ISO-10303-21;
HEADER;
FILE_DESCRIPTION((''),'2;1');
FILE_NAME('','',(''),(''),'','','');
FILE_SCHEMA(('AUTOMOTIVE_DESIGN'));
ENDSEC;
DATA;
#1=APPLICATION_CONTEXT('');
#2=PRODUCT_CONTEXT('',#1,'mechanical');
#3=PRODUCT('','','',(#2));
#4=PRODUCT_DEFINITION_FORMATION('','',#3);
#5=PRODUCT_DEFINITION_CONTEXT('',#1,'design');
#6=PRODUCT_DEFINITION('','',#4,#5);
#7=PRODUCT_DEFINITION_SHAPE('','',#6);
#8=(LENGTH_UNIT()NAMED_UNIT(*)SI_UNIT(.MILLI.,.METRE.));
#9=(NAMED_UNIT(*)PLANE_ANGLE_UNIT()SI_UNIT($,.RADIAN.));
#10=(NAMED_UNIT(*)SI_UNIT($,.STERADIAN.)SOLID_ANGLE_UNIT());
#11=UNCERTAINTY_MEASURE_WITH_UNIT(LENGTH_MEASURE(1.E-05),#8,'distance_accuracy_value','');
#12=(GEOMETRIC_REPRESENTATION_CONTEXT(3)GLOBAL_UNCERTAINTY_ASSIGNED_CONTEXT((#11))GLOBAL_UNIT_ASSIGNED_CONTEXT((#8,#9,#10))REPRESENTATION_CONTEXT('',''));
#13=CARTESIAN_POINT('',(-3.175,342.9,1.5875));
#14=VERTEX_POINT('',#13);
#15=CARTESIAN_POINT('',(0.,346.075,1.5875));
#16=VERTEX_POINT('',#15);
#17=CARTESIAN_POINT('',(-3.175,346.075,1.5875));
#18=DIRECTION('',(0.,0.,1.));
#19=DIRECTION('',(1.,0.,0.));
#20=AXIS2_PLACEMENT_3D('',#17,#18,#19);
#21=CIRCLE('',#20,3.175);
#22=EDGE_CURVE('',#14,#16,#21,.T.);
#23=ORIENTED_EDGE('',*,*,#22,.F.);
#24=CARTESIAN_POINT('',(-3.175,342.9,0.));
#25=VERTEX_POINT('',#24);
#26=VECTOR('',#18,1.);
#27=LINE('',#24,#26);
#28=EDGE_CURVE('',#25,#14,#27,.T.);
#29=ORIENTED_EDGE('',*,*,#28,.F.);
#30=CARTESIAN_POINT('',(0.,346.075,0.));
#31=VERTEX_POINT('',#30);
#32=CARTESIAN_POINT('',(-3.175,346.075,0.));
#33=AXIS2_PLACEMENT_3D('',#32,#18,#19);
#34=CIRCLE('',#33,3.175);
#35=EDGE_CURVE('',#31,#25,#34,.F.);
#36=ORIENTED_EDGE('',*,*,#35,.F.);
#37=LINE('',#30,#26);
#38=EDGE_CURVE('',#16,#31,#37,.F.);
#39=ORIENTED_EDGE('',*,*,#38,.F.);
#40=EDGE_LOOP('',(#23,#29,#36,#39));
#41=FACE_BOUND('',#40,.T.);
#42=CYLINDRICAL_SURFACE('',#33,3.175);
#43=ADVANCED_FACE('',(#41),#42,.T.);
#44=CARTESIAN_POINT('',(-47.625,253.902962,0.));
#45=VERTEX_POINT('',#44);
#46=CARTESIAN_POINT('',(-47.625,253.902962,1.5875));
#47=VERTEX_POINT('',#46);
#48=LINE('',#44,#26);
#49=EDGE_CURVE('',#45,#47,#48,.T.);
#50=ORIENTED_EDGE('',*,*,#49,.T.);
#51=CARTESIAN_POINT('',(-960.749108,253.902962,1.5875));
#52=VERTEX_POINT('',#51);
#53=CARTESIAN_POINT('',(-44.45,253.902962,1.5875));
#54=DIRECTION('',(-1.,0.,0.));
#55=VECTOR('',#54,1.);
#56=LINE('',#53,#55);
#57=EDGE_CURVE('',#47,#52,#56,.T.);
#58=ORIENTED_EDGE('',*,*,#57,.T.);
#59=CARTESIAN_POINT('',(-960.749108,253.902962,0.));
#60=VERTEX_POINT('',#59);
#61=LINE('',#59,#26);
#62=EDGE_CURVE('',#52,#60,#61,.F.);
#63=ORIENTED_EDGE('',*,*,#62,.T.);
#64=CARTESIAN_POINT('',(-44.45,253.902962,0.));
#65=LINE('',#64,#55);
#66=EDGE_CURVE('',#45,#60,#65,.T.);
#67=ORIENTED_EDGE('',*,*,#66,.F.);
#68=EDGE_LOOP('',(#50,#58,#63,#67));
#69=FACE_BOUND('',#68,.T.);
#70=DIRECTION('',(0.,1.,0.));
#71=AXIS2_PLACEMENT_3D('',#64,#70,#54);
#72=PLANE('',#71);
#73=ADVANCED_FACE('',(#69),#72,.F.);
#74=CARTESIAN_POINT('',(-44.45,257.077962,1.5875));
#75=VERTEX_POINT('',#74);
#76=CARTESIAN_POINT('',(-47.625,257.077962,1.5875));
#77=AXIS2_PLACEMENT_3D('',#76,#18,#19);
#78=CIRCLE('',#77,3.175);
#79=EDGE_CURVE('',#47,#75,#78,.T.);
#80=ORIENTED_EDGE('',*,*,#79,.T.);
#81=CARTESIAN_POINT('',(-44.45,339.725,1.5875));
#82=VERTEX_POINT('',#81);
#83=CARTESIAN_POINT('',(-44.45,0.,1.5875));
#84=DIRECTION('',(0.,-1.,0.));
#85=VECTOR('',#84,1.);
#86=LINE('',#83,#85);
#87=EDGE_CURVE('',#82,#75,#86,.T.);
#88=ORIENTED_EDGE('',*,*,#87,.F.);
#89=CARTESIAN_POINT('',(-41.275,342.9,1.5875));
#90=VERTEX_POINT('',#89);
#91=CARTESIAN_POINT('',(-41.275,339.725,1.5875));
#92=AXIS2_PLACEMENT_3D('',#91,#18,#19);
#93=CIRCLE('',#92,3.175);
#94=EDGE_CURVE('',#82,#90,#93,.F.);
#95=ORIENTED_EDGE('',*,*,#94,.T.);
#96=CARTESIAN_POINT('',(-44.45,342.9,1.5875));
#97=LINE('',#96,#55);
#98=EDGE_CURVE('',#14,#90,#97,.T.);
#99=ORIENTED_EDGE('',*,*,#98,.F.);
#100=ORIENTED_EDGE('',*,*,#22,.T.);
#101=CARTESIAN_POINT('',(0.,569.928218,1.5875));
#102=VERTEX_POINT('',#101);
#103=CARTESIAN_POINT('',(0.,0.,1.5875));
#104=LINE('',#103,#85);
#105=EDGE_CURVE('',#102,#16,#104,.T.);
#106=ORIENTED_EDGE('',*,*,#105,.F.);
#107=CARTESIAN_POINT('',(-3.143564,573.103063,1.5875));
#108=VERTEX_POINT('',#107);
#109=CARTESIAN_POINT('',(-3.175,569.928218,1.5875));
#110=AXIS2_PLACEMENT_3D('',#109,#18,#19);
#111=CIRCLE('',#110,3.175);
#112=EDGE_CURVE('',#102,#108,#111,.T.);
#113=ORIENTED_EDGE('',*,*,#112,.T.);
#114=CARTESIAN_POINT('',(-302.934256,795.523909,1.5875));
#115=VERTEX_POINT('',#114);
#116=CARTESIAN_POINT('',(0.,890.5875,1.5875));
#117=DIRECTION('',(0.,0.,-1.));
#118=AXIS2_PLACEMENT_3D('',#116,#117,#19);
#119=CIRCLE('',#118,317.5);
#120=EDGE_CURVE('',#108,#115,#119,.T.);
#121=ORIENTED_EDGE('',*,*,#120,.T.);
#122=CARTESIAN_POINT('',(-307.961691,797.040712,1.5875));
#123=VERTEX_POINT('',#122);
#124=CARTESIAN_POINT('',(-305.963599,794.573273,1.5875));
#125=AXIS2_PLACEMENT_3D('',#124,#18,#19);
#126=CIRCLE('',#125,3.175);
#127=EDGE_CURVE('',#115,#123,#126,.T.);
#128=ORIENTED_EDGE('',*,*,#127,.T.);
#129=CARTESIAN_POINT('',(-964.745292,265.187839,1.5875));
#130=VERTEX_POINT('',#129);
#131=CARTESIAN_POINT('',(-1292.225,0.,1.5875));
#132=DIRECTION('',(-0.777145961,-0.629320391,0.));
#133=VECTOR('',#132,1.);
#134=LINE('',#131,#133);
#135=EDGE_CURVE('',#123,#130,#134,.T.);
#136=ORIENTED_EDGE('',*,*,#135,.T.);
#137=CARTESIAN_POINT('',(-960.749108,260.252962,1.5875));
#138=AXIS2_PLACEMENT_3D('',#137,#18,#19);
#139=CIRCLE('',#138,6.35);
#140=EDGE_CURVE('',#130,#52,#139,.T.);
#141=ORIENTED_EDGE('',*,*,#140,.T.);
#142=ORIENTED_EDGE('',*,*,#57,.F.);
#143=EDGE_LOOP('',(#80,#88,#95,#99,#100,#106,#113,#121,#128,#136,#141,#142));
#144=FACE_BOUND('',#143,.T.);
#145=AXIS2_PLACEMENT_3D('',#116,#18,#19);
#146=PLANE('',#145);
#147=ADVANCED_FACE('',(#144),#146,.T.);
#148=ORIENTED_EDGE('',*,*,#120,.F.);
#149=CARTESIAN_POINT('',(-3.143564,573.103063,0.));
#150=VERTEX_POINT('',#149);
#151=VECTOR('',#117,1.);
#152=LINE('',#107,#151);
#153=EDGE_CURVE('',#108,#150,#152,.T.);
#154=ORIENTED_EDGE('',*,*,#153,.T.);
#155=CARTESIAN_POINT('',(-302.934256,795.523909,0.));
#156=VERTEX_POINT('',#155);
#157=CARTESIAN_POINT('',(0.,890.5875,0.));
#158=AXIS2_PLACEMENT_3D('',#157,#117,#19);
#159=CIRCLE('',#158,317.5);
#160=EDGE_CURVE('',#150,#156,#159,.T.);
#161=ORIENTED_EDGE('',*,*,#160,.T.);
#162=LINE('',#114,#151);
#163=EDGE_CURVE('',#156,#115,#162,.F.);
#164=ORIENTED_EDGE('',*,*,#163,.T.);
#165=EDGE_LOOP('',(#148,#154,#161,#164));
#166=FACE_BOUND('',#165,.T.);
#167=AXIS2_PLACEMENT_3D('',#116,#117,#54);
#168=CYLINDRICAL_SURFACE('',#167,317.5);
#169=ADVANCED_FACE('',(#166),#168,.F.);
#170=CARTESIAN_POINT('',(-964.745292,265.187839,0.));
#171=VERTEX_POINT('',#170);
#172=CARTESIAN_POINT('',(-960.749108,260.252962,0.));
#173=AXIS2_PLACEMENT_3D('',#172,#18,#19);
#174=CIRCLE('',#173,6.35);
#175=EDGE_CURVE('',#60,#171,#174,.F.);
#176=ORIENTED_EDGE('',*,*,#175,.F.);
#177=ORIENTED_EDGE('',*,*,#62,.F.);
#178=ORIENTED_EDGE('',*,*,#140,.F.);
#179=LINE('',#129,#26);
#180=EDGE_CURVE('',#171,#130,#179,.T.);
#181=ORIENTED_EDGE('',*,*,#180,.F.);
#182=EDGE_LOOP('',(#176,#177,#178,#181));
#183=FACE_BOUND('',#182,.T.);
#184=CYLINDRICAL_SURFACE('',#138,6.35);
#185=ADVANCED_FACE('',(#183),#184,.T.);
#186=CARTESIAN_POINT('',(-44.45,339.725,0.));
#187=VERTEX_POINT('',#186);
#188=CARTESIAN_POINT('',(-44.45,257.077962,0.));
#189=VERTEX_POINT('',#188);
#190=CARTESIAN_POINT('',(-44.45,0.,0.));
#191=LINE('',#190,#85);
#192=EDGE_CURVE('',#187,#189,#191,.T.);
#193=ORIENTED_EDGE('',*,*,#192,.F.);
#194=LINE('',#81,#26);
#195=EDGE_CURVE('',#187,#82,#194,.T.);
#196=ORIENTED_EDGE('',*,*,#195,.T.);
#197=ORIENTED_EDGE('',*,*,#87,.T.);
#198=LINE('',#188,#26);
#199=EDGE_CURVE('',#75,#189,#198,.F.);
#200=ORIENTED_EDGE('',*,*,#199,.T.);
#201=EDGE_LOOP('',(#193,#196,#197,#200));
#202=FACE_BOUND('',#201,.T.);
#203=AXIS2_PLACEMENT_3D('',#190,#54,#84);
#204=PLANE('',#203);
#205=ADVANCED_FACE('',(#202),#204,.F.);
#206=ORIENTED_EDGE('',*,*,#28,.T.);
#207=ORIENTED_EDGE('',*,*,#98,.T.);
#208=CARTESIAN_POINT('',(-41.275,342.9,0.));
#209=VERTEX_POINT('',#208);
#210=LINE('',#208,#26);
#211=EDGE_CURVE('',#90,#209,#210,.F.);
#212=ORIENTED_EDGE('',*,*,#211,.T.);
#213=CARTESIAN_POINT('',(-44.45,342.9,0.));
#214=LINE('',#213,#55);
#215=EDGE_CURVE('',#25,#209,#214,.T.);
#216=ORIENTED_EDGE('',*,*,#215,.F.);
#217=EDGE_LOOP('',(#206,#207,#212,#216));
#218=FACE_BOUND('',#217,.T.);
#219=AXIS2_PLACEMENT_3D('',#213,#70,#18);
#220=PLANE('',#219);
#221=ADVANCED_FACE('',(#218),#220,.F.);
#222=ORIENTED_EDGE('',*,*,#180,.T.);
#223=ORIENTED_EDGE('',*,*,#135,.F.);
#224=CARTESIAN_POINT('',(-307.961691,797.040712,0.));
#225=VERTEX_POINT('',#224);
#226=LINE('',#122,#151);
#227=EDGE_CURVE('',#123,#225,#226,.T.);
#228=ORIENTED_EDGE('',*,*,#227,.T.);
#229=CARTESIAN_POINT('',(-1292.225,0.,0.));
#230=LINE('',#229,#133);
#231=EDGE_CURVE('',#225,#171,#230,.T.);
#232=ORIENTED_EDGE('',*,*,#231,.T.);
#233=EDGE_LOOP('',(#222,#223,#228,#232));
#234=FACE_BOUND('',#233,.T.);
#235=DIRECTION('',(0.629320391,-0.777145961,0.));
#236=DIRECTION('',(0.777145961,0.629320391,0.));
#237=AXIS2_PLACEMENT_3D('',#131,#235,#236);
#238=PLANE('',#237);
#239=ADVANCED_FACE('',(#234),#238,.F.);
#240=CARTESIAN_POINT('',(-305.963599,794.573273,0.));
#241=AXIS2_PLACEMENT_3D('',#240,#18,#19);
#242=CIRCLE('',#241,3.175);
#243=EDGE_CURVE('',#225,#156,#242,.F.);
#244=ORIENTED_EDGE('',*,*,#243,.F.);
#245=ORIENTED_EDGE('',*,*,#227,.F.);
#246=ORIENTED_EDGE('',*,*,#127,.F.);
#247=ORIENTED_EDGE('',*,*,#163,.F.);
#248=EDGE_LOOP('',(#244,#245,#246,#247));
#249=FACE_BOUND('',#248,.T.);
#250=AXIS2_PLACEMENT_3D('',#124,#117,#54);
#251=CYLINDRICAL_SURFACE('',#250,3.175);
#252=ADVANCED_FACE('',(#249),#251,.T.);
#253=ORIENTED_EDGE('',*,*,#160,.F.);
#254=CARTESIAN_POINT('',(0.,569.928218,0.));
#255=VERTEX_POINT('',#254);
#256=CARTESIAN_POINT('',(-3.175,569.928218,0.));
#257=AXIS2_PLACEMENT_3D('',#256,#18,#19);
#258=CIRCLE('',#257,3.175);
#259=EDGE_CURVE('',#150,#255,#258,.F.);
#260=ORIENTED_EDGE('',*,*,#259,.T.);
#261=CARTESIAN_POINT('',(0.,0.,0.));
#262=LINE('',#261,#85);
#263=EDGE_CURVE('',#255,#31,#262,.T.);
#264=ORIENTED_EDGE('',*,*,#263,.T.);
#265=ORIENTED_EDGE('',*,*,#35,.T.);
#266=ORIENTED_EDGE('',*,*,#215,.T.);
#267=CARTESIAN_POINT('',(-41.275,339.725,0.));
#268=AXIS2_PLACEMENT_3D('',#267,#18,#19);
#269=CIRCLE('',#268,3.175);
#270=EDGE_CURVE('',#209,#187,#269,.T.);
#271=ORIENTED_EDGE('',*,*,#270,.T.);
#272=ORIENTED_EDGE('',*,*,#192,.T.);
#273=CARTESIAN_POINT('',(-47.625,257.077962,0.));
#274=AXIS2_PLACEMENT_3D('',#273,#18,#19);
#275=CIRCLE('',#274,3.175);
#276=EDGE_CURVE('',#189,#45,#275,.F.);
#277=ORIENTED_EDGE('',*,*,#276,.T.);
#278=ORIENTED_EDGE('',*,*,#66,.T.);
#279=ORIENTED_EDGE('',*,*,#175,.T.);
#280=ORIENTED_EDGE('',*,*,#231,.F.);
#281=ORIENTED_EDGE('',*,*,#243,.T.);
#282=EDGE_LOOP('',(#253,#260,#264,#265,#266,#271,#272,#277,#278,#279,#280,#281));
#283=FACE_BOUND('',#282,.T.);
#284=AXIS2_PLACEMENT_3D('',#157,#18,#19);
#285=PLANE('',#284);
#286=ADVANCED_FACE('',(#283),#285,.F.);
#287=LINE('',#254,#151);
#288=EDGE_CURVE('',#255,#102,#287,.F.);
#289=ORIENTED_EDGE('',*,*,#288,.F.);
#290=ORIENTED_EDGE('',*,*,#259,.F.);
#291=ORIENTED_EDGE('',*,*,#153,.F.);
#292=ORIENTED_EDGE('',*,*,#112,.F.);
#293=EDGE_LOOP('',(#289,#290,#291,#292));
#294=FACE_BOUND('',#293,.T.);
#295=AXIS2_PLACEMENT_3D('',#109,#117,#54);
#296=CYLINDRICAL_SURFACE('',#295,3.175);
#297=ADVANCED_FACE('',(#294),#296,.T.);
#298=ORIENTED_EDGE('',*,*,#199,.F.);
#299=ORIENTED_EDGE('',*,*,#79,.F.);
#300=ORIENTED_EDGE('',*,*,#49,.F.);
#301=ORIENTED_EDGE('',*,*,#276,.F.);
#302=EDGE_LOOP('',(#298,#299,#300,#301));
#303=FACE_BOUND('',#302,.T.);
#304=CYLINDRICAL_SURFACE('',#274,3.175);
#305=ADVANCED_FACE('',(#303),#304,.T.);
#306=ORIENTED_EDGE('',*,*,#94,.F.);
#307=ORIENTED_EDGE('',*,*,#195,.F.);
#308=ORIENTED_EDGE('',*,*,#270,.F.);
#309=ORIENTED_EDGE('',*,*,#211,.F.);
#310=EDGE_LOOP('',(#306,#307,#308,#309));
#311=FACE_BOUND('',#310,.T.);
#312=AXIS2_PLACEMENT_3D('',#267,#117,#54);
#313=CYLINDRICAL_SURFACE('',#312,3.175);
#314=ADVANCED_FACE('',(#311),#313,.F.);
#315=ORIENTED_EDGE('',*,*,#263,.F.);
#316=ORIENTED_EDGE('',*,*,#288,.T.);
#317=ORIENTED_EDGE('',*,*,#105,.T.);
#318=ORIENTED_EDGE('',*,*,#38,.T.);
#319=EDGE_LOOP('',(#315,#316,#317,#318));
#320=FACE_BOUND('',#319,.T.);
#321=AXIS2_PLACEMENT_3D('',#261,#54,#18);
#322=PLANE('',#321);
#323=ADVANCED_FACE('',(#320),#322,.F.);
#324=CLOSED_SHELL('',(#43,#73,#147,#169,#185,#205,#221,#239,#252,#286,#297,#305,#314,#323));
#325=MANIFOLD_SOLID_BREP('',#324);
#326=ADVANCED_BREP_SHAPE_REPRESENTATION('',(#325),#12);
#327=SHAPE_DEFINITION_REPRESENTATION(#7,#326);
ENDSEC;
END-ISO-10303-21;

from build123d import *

# Parameters (mm, degrees)
BOSS_EXTRUDE1_DEPTH = 1.5875
SKETCH2_W           = 88.9
SKETCH2_H           = 342.9
CUT_EXTRUDE1_DEPTH  = 2.5875
SKETCH4_W           = 1292.225
SKETCH4_H           = 800.002961837
CUT_EXTRUDE2_DEPTH  = 2.5875
CUT_EXTRUDE3_DEPTH  = 2.5875
FILLET1_R           = 3.175
FILLET2_R           = 6.35


with BuildPart() as part:
    # Sketch1 → Boss-Extrude1 (new body)
    with BuildSketch(Plane.XY):
        with BuildLine():
            Line((1292.225, 0), (-1292.225, 0))
            Line((-1292.225, 0), (-304.303617208, 800.002961837))
            ThreePointArc((-304.303617208, 800.002961837), (0, 573.0875), (304.303617208, 800.002961837))
            Line((304.303617208, 800.002961837), (1292.225, 0))
        make_face()
    extrude(amount=BOSS_EXTRUDE1_DEPTH)

    # Sketch2 → Cut-Extrude1 (cut, through all)
    with BuildSketch(Plane.XY.offset(1.5875)):
        with Locations((0, 171.45)):
            Rectangle(SKETCH2_W, SKETCH2_H)
    extrude(amount=-CUT_EXTRUDE1_DEPTH, mode=Mode.SUBTRACT)

    # Sketch4 → Cut-Extrude2 (cut, through all)
    with BuildSketch(Plane.XY.offset(1.5875)):
        with Locations((646.1125, 400.001480919)):
            Rectangle(SKETCH4_W, SKETCH4_H)
    extrude(amount=-CUT_EXTRUDE2_DEPTH, mode=Mode.SUBTRACT)

    # Sketch5 → Cut-Extrude3 (cut, through all)
    with BuildSketch(Plane.XY.offset(1.5875)):
        Polygon((-44.45, 253.902961837), (-978.680954392, 253.902961837), (-1292.225, 0), (-44.45, 0), align=None)
    extrude(amount=-CUT_EXTRUDE3_DEPTH, mode=Mode.SUBTRACT)

    # Fillet1
    fillet1_edges = [part.edges().sort_by_distance(p)[0] for p in [
        (-44.45, 342.9, 0.79375),
        (0, 342.9, 0.79375),
        (0, 573.0875, 0.79375),
        (-44.45, 253.902961837, 0.79375),
        (-304.303617208, 800.002961837, 0.79375),
    ]]
    fillet(fillet1_edges, radius=FILLET1_R)

    # Fillet2
    fillet2_edges = [part.edges().sort_by_distance(p)[0] for p in [
        (-978.680954392, 253.902961837, 0.79375),
    ]]
    fillet(fillet2_edges, radius=FILLET2_R)


solid = part.part
